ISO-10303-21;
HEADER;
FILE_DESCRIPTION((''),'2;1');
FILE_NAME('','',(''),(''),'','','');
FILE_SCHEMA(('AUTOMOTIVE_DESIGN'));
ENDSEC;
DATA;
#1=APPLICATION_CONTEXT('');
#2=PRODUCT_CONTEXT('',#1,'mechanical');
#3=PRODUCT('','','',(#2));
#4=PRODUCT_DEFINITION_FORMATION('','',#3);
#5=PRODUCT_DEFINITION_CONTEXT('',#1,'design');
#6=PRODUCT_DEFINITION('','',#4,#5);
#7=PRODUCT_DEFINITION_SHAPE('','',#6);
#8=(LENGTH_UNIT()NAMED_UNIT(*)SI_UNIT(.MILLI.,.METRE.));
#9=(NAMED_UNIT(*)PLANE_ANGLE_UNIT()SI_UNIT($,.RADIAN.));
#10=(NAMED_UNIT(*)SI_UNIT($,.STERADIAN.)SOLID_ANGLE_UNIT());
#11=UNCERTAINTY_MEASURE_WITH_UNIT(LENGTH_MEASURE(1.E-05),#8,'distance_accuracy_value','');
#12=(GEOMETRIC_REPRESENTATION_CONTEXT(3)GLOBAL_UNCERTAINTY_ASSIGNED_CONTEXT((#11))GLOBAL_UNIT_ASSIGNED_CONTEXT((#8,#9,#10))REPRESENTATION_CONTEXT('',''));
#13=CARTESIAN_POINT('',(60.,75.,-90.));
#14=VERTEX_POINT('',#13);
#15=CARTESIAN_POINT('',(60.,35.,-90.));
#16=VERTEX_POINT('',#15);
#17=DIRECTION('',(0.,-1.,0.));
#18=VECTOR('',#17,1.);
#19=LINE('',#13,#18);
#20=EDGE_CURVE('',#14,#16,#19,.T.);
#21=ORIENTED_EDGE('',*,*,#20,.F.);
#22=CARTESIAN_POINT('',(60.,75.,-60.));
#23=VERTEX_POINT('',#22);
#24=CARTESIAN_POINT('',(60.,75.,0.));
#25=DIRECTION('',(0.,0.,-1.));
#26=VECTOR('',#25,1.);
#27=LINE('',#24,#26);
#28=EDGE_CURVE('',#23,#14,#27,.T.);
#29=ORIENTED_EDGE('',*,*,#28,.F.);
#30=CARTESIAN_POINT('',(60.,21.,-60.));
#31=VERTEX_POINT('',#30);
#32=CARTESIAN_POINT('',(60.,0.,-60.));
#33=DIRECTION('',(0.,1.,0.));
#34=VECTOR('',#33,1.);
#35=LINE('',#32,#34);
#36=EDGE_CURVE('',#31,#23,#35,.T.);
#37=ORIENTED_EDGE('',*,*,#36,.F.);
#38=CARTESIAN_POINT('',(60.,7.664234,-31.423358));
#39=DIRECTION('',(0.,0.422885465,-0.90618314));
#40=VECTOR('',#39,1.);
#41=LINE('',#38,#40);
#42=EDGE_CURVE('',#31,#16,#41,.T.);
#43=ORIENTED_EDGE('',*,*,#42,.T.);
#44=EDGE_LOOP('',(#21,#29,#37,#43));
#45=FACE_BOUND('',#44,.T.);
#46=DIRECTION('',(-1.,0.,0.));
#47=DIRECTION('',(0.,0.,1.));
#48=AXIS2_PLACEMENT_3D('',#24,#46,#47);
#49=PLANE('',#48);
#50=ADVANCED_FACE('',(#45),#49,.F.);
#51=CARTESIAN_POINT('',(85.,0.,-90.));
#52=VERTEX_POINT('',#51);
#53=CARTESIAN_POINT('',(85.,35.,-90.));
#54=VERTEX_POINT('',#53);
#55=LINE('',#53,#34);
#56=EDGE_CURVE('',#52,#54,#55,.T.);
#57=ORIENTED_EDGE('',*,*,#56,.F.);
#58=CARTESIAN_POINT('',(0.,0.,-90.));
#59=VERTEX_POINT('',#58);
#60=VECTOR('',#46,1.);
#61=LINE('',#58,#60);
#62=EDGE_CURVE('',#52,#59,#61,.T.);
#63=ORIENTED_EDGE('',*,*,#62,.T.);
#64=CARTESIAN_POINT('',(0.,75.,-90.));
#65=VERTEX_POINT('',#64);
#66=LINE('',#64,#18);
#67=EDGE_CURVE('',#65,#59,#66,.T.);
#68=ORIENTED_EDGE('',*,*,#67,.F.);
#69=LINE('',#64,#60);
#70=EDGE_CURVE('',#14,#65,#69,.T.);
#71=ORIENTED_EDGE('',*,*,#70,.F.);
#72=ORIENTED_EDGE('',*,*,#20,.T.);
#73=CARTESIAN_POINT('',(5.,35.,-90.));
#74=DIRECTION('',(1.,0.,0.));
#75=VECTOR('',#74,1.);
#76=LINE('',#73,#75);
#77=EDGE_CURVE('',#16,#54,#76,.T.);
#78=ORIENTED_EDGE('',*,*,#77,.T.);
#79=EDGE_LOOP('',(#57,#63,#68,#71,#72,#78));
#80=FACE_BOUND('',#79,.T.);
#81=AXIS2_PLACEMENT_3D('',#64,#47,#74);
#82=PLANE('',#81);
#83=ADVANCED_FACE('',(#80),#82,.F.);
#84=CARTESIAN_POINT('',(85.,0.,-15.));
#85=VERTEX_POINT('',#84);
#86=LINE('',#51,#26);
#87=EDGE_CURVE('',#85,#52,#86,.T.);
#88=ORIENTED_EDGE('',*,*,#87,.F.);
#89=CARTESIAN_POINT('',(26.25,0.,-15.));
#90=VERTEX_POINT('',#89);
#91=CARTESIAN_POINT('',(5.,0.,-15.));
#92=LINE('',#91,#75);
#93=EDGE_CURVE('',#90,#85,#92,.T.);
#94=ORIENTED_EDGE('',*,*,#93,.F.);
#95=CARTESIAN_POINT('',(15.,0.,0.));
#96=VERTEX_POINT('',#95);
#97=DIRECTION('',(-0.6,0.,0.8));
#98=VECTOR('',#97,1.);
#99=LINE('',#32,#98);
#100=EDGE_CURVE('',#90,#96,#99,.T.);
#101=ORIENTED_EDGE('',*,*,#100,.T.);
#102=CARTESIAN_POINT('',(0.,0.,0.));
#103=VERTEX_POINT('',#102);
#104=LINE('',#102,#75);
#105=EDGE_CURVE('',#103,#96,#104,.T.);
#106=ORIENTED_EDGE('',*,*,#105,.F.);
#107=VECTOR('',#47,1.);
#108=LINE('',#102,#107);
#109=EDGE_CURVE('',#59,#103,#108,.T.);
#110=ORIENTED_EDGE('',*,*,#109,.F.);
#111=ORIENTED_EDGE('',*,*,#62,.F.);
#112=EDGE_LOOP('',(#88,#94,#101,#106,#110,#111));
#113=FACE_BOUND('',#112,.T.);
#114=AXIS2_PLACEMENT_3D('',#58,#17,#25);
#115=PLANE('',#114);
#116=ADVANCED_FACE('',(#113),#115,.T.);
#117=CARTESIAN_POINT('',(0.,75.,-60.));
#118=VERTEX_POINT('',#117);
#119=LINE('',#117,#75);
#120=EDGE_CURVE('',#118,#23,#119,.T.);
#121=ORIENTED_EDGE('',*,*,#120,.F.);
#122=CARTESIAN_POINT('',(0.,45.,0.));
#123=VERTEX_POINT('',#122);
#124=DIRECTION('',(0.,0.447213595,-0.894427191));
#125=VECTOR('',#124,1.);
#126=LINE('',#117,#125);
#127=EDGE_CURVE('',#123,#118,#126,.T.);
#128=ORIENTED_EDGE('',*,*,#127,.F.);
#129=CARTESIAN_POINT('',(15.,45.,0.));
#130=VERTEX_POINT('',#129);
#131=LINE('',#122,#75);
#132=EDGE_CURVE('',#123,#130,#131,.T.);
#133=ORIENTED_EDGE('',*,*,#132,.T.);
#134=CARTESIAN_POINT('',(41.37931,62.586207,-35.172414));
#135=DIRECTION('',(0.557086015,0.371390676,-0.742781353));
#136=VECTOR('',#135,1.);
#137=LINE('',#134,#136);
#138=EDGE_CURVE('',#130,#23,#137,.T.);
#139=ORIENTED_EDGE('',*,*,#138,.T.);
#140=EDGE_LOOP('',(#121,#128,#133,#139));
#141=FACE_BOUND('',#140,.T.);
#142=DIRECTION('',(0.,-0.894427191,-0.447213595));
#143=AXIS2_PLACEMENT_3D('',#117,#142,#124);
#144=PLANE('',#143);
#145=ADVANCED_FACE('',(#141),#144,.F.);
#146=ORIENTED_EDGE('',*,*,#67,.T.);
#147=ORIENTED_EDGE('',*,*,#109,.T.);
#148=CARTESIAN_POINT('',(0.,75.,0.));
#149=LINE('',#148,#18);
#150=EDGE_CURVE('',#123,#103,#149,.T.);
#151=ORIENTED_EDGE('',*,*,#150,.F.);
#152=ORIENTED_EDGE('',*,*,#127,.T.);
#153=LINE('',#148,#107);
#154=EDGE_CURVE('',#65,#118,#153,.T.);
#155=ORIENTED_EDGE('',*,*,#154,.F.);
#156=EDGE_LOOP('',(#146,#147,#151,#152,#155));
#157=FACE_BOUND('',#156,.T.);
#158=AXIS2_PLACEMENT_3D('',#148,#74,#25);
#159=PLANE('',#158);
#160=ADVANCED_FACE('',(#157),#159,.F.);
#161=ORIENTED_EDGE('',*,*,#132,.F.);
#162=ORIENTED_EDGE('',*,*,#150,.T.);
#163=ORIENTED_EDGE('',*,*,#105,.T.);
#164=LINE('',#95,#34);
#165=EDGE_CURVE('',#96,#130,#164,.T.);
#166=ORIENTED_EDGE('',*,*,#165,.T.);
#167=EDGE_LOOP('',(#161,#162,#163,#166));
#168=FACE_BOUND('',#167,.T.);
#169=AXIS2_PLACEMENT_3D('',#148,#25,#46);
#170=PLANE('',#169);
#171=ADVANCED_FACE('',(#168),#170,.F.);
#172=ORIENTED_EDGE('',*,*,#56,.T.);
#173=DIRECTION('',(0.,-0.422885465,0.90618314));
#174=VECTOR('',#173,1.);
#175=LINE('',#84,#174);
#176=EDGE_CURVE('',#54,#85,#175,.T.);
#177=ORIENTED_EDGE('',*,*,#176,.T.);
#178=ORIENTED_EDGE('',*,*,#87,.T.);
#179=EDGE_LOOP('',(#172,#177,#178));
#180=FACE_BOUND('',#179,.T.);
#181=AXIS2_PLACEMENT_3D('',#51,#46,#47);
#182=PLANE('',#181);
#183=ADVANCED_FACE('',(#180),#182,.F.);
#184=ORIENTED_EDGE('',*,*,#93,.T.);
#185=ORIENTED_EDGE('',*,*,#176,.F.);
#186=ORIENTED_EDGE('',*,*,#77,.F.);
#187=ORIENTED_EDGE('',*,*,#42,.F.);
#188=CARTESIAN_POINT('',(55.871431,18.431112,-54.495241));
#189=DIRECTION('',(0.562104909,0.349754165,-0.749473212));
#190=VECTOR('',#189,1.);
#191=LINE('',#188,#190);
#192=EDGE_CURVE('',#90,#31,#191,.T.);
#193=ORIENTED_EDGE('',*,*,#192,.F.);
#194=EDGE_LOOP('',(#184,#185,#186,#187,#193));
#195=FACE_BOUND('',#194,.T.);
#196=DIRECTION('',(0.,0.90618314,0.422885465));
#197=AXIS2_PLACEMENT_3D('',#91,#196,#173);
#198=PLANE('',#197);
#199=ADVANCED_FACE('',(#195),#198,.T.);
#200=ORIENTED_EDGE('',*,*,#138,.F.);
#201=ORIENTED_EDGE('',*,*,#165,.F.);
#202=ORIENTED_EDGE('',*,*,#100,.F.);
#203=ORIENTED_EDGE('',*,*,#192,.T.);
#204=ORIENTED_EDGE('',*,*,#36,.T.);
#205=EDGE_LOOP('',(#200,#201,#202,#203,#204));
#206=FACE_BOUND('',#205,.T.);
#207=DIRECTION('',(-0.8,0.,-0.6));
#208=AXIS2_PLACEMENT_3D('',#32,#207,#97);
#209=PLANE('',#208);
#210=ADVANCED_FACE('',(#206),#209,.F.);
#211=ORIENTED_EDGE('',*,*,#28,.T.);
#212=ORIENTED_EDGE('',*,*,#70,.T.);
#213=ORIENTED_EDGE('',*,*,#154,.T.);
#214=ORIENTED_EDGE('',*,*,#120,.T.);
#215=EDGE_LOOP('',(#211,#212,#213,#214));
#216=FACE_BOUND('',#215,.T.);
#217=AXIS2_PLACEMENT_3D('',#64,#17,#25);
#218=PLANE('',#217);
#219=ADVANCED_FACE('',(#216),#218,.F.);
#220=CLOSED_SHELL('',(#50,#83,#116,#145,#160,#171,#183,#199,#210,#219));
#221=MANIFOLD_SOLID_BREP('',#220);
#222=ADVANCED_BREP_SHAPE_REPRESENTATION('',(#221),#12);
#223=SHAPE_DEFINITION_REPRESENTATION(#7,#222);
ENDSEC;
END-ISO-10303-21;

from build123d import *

# Parameters (mm, degrees)
SKETCH1_W           = 60
SKETCH1_H           = 90
EXTRUDE1_DEPTH      = 75
EXTRUDE2_DEPTH      = 61
EXTRUDE3_DEPTH      = 76
EXTRUDE4_DEPTH      = 25
EXTRUDE4_DEPTH_BACK = 55


with BuildPart() as part:
    # Sketch1 → Extrude1 (new body)
    with BuildSketch(Plane(origin=(0, 0, 0), x_dir=(1, 0, 0), z_dir=(0, 1, 0))):
        with Locations((30, 45)):
            Rectangle(SKETCH1_W, SKETCH1_H)
    extrude(amount=EXTRUDE1_DEPTH)

    # Sketch2 → Extrude2 (cut, through all)
    with BuildSketch(Plane(origin=(60, 0, 0), x_dir=(0, 0, -1), z_dir=(1, 0, 0))):
        Polygon((60, 75), (0, 45), (0, 75), align=None)
    extrude(amount=-EXTRUDE2_DEPTH, mode=Mode.SUBTRACT)

    # Sketch3 → Extrude3 (cut, through all)
    with BuildSketch(Plane(origin=(0, 75, 0), x_dir=(1, 0, 0), z_dir=(0, 1, 0))):
        Polygon((60, 60), (15, 0), (60, 0), align=None)
    extrude(amount=-EXTRUDE3_DEPTH, mode=Mode.SUBTRACT)

    # Sketch4 → Extrude4 (add, two sides)
    with BuildSketch(Plane(origin=(60, 0, 0), x_dir=(0, 0, -1), z_dir=(1, 0, 0))) as extrude4_sk:
        Polygon((90, 0), (15, 0), (90, 35), align=None)
    extrude(amount=EXTRUDE4_DEPTH)
    extrude(extrude4_sk.sketch, amount=-EXTRUDE4_DEPTH_BACK)


solid = part.part
